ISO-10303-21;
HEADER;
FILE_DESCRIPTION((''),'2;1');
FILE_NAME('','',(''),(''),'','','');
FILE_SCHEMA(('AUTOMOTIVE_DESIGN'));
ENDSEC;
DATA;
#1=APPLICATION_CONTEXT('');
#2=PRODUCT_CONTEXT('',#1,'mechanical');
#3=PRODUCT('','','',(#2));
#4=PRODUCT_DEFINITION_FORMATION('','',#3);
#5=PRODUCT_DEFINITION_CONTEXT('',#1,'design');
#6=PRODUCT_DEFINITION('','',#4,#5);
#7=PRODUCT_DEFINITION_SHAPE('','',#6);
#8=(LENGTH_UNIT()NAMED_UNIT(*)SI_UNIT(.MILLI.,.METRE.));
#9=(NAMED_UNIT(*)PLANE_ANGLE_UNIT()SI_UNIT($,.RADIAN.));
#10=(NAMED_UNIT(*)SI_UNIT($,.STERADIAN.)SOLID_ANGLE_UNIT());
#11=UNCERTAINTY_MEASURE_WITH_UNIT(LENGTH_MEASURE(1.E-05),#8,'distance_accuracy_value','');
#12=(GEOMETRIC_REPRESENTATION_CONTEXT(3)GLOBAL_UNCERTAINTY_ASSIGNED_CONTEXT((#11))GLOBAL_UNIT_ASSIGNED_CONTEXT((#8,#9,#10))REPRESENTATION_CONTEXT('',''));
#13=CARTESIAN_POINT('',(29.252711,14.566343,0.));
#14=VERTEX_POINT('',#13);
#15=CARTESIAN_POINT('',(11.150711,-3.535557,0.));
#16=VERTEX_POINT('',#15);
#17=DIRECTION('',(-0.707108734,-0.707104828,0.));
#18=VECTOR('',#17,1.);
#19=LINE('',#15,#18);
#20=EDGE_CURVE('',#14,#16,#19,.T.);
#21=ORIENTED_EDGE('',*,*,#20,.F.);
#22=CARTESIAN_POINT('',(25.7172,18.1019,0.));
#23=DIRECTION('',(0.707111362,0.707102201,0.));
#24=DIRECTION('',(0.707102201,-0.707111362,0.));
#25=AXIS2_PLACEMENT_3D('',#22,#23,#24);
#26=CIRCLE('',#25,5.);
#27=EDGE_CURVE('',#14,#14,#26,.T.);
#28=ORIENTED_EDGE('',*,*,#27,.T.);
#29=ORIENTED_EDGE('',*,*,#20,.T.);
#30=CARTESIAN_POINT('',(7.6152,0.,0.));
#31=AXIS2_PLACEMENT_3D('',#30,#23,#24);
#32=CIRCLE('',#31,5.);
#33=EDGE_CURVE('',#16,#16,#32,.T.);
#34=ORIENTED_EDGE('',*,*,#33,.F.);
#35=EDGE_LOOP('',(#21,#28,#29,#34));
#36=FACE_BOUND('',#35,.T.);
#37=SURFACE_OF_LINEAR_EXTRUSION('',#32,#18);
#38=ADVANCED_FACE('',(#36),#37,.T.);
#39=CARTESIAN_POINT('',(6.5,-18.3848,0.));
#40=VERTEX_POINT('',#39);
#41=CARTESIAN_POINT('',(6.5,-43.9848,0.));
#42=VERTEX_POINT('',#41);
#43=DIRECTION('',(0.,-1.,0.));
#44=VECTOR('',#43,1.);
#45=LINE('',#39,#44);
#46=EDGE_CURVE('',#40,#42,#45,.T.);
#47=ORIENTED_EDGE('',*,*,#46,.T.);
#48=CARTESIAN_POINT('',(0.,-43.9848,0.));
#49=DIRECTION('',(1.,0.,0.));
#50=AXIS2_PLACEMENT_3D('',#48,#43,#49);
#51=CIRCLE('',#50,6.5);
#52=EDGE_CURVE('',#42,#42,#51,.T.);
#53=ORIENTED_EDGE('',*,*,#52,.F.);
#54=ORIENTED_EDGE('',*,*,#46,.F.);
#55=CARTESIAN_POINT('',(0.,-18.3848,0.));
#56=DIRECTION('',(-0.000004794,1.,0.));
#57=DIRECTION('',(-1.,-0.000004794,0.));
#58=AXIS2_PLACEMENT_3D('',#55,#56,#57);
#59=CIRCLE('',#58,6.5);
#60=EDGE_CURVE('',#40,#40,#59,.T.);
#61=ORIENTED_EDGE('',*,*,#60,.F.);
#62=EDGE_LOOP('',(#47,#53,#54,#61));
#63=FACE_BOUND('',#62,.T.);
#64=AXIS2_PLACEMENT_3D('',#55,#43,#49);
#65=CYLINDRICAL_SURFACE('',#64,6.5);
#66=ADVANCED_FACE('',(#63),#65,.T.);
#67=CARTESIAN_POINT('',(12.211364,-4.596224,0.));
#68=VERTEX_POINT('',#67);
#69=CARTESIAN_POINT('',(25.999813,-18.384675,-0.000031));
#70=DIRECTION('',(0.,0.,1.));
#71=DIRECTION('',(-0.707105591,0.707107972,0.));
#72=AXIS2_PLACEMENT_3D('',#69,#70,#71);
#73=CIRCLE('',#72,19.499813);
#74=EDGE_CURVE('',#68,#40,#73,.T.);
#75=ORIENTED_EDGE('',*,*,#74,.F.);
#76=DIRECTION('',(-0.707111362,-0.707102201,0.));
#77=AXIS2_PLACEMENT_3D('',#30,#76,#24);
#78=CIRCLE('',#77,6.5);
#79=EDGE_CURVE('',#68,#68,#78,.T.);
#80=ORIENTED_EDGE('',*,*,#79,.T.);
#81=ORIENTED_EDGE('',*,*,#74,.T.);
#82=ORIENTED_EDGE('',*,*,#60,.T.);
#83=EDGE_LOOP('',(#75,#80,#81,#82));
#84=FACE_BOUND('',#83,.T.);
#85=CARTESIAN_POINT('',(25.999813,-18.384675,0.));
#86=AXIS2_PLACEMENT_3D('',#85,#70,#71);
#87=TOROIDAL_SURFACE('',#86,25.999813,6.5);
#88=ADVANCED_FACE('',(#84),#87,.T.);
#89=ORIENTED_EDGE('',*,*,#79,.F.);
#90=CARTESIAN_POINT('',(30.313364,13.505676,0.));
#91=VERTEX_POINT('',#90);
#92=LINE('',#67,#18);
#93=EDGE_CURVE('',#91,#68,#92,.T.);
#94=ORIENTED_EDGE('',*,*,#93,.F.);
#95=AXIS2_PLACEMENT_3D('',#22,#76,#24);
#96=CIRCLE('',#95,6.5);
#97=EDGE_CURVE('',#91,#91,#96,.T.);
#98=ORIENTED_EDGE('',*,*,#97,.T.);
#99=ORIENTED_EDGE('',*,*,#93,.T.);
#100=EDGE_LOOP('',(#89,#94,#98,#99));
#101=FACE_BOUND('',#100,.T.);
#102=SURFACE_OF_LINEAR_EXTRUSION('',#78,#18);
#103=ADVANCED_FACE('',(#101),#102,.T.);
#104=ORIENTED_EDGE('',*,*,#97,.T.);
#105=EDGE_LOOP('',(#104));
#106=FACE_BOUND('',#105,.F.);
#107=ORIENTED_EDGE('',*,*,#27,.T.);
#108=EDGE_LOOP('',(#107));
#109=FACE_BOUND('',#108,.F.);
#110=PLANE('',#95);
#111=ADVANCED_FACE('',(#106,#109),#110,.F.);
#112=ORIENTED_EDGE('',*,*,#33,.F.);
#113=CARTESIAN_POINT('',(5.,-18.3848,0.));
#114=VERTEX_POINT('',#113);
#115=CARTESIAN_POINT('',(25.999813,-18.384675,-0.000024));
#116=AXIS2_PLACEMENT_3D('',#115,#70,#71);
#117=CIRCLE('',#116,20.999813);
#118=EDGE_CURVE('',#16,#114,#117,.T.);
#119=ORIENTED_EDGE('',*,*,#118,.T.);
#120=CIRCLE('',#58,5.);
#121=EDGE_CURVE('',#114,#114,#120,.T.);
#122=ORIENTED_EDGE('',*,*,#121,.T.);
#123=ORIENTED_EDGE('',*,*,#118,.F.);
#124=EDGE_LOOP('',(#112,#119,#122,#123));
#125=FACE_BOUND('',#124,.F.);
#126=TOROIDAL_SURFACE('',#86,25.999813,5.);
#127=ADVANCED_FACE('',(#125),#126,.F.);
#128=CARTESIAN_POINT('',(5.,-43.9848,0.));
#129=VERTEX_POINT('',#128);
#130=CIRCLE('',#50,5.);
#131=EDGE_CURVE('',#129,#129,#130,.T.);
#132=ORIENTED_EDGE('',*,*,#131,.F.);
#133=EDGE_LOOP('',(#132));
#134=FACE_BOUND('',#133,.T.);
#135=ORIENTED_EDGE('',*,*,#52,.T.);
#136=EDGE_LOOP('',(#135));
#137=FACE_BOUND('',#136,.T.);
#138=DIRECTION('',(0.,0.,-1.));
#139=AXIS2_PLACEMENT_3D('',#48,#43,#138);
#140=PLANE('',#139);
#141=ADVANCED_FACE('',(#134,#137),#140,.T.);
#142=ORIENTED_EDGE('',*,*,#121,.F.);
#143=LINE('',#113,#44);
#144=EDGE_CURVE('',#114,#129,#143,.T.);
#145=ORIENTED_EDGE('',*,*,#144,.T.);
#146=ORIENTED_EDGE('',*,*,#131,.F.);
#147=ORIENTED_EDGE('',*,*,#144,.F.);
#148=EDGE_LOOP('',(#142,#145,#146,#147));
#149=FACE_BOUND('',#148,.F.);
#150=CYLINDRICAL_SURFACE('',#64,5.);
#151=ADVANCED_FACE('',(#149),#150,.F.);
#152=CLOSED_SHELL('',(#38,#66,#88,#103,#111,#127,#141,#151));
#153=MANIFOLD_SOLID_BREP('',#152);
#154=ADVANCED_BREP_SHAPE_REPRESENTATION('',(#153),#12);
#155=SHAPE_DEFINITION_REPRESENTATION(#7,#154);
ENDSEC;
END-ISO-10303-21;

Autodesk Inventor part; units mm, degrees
ref_plane "YZ Plane" through (0, 0, 0) normal (1, 0, 0) x (0, 1, 0)
ref_plane "XZ Plane" through (0, 0, 0) normal (0, 1, 0) x (-1, 0, 0)
sketch "Szkic6" plane through (0, 0, 0) normal (0, 0, 1) x (1, 0, 0)
  line L0 (-29.6067, 0) -> (35.2678, 0) construction
  line L1 (0, 42.3419) -> (0, -58.3726) construction
  arc A0 (7.6152, 0) -> (0, -18.3848) centre (26, -18.3848) ccw
  line L2 (0, -18.3848) -> (26, -18.3848) construction
  line L3 (26, -18.3848) -> (-20.3389, 27.9541) construction
  line L4 (7.6152, 0) -> (25.7172, 18.1019)
  line L5 (0, -18.3848) -> (0, -43.9848)
  point P0 (0, 0)
  dimension "d24" = 57.2
  dimension "d31" = 90
  dimension "d36" = 6.8
  dimension "d37" = 6.8
ref_plane "Płaszczyzna konstrukcyjna2" through (0, -18.3848, 0) normal (0, -1, 0) x (1, 0, 0)
sketch "Szkic8" plane through (0, -18.3848, 0) normal (0, -1, 0) x (1, 0, 0)
  circle A0 centre (0, 0) radius 6.5
  circle A1 centre (0, 0) radius 5
  dimension "d32" = 38.1
  dimension "d33" = 1.6
sweep "Przeciągnięcie2" add profiles "Szkic8" path "Szkic6"
equation "\"d32\" = OD"
equation "\"d33\" = THK"
equation "\"d24\" = R"
equation "\"d31\" = KAT"
equation "\"d36\" = PROSTKA"
equation "\"d37\" = PROSTKA"
equation "\"SzerokośćGięciaPodcięcia\" = Grubość"
equation "\"RozmiarPodcięciaNarożnika\" = 4 * Grubość"
equation "\"PromieńPrzejścia\" = PromieńGięcia"
equation "\"Rozmiar_promienia_Jacobiego\" = PromieńGięcia"
equation "\"Wielk_odstępu\" = Grubość"
equation "\"d2\" = PromieńGięcia"
equation "\"d23\" = PromieńGięcia"
equation "\"R\" = 57.2"
equation "\"OD\" = 38.1"
equation "\"THK\" = 1.6"
equation "\"KAT\" = 90deg"
equation "\"PROSTKA\" = 6.8"
equation "\"Grubość\" = 1.5"
equation "\"PromieńGięcia\" = 3"
properties part number "Kolano 90° ø38,1x1,6 R57,2" material "304L"
